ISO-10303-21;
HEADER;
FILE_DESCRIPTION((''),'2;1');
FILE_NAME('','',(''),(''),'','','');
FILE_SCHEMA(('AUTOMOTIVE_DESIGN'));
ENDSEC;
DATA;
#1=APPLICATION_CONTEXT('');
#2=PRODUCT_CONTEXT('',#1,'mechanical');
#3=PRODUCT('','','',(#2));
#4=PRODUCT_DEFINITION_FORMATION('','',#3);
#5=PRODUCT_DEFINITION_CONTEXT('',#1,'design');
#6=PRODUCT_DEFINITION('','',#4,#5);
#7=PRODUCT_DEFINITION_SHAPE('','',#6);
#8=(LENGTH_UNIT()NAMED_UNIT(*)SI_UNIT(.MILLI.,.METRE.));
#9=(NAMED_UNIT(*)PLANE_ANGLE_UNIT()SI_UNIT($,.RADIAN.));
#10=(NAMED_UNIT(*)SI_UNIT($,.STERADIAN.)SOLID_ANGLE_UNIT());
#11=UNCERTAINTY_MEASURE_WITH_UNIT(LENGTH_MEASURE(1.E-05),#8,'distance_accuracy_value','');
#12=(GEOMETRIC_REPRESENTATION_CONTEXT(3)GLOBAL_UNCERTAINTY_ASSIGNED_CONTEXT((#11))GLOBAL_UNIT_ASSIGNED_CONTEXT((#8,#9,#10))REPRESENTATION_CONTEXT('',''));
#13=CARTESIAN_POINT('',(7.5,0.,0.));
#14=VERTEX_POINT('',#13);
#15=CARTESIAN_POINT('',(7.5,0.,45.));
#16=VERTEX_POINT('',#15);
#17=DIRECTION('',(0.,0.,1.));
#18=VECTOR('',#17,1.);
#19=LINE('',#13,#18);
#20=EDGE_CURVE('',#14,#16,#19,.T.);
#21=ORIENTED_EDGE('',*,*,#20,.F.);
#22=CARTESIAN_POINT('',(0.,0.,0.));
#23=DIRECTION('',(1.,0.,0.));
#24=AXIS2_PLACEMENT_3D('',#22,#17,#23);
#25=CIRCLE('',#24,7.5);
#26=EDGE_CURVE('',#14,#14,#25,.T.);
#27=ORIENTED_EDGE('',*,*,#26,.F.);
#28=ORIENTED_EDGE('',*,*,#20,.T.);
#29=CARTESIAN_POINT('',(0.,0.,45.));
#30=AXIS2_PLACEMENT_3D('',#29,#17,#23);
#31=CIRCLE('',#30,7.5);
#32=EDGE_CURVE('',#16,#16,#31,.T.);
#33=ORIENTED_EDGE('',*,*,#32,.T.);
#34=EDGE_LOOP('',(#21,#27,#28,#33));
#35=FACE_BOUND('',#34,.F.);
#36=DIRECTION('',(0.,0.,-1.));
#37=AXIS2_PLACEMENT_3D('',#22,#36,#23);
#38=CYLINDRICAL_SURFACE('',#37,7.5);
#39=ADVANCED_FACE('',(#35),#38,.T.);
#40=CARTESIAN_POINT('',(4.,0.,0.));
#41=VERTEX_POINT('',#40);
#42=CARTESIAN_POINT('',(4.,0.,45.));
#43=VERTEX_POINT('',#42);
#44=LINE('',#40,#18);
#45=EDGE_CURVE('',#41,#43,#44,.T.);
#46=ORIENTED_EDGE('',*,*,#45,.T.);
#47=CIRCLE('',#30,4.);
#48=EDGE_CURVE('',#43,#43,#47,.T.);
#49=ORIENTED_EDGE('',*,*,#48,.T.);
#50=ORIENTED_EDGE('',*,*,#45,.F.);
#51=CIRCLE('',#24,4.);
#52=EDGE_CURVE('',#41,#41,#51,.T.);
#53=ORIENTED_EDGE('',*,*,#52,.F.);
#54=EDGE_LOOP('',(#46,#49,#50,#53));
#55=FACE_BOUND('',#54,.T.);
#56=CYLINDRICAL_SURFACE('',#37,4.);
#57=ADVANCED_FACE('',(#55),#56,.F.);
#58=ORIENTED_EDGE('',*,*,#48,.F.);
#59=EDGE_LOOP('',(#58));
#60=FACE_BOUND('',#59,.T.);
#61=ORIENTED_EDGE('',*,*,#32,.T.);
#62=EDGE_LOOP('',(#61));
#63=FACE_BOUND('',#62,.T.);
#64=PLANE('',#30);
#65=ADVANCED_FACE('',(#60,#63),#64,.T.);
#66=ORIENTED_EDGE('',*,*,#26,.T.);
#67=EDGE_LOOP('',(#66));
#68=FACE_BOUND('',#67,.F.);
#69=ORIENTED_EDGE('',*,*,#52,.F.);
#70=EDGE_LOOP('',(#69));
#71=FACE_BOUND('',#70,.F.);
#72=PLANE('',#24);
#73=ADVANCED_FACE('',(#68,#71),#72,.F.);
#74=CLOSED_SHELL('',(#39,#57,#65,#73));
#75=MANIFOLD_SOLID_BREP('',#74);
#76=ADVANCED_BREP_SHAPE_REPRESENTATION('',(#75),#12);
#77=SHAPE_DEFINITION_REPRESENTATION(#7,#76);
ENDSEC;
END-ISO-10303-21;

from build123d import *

# Parameters (mm, degrees)
SKETCH_R   = 7.5
SKETCH_R_2 = 4
PAD_DEPTH  = 45


with BuildPart() as part:
    # Sketch → Pad (new body)
    with BuildSketch(Plane.XY):
        Circle(SKETCH_R)
        Circle(SKETCH_R_2, mode=Mode.SUBTRACT)
    extrude(amount=PAD_DEPTH)


solid = part.part
